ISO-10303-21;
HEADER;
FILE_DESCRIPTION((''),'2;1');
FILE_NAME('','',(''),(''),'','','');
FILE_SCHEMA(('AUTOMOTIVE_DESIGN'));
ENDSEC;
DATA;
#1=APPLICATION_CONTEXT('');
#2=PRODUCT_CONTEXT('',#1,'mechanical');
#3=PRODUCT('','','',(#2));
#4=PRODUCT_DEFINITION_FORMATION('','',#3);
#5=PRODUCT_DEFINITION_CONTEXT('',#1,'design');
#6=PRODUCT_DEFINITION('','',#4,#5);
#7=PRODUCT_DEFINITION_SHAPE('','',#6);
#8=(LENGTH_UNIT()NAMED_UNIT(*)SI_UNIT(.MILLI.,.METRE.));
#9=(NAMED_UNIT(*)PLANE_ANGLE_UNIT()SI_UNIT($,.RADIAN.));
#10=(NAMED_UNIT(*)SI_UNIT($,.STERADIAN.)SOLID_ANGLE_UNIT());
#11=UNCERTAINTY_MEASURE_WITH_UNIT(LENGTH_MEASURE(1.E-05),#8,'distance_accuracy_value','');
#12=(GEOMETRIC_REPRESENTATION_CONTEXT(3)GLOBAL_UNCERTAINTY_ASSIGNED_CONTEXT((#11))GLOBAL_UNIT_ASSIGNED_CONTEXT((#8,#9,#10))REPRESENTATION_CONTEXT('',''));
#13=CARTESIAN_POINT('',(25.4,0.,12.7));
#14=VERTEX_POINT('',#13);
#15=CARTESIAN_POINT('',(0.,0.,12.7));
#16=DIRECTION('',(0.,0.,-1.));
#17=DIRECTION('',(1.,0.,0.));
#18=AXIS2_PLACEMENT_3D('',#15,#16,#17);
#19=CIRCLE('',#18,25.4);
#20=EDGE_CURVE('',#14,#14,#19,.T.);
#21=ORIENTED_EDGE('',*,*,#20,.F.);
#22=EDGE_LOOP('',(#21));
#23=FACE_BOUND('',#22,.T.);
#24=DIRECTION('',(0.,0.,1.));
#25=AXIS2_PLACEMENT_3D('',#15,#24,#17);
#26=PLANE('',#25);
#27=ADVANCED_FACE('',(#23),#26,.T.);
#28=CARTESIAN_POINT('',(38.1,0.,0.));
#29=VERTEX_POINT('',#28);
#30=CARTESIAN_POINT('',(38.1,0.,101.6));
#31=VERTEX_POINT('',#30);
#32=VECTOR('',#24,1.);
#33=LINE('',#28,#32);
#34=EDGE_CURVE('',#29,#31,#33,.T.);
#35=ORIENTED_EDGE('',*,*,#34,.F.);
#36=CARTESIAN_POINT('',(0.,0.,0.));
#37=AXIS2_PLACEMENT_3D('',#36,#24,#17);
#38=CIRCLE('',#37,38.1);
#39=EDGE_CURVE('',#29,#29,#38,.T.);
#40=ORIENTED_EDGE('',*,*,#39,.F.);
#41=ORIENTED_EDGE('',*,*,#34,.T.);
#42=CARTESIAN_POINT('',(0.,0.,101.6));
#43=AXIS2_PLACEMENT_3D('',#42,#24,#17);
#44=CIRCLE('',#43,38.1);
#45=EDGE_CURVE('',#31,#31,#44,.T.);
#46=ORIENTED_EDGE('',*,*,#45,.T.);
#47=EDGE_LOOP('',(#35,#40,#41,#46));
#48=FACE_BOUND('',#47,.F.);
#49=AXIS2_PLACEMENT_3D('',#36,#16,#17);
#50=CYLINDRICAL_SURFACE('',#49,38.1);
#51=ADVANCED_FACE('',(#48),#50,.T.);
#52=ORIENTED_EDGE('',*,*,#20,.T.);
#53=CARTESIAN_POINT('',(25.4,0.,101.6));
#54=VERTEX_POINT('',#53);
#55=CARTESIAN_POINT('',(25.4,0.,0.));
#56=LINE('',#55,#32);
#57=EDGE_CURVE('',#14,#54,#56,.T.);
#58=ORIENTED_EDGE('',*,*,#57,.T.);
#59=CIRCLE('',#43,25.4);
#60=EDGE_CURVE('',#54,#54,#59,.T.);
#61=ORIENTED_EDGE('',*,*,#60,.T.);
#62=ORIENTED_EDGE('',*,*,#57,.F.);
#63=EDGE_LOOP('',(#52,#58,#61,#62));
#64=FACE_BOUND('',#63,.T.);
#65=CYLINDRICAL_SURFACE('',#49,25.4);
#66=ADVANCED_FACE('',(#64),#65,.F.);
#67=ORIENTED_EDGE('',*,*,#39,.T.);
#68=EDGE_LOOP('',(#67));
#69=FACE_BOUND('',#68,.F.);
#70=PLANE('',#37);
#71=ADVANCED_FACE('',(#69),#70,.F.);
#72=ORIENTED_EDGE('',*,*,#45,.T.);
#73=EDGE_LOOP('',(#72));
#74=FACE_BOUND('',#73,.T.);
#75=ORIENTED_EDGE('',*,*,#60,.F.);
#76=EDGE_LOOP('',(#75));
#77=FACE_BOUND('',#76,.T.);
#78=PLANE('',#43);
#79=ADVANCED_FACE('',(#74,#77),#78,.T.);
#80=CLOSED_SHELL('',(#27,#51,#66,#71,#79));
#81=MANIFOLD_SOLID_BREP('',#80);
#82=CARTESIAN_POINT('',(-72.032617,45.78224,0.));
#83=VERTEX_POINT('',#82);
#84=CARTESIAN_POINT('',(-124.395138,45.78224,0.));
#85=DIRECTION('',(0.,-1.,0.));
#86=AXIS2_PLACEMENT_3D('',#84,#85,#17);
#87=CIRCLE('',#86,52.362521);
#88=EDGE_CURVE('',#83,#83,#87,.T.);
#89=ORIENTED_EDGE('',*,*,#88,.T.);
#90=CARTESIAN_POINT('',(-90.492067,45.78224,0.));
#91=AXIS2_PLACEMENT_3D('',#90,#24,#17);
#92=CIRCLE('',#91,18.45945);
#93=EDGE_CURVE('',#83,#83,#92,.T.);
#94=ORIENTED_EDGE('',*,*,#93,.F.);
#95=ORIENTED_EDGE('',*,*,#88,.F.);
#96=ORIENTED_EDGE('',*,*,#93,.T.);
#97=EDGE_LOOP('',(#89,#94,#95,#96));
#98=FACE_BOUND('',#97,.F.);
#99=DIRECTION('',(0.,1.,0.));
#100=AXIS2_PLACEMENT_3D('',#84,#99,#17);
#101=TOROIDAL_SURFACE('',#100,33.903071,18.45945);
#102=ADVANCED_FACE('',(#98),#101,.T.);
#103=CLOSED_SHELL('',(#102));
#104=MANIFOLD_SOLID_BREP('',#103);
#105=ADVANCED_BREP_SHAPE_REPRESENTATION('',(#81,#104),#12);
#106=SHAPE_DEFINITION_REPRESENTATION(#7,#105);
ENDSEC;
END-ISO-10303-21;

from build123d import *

# Parameters (mm, degrees)
F0_R     = 38.1
F1_DEPTH = 101.6
F2_T     = -12.7
F3_R     = 18.45945


with BuildPart() as f1:
    # F0 (on Top) → F1 (new body)
    with BuildSketch(Plane.XY):
        Circle(F0_R)
    extrude(amount=F1_DEPTH)

    # F2
    f2_openings = [f1.faces().sort_by_distance(p)[0] for p in [
        (0, 0, 101.6),
    ]]
    offset(amount=F2_T, openings=f2_openings)


with BuildPart() as f4:
    # F3 (on Top) → F4 (revolve)
    with BuildSketch(Plane.XY):
        with Locations((-90.492067, 45.78224)):
            Circle(F3_R)
    revolve(axis=Axis((-124.395138, 43.996845, 0), (0, -1, 0)))


solid = Compound([f1.part, f4.part])
